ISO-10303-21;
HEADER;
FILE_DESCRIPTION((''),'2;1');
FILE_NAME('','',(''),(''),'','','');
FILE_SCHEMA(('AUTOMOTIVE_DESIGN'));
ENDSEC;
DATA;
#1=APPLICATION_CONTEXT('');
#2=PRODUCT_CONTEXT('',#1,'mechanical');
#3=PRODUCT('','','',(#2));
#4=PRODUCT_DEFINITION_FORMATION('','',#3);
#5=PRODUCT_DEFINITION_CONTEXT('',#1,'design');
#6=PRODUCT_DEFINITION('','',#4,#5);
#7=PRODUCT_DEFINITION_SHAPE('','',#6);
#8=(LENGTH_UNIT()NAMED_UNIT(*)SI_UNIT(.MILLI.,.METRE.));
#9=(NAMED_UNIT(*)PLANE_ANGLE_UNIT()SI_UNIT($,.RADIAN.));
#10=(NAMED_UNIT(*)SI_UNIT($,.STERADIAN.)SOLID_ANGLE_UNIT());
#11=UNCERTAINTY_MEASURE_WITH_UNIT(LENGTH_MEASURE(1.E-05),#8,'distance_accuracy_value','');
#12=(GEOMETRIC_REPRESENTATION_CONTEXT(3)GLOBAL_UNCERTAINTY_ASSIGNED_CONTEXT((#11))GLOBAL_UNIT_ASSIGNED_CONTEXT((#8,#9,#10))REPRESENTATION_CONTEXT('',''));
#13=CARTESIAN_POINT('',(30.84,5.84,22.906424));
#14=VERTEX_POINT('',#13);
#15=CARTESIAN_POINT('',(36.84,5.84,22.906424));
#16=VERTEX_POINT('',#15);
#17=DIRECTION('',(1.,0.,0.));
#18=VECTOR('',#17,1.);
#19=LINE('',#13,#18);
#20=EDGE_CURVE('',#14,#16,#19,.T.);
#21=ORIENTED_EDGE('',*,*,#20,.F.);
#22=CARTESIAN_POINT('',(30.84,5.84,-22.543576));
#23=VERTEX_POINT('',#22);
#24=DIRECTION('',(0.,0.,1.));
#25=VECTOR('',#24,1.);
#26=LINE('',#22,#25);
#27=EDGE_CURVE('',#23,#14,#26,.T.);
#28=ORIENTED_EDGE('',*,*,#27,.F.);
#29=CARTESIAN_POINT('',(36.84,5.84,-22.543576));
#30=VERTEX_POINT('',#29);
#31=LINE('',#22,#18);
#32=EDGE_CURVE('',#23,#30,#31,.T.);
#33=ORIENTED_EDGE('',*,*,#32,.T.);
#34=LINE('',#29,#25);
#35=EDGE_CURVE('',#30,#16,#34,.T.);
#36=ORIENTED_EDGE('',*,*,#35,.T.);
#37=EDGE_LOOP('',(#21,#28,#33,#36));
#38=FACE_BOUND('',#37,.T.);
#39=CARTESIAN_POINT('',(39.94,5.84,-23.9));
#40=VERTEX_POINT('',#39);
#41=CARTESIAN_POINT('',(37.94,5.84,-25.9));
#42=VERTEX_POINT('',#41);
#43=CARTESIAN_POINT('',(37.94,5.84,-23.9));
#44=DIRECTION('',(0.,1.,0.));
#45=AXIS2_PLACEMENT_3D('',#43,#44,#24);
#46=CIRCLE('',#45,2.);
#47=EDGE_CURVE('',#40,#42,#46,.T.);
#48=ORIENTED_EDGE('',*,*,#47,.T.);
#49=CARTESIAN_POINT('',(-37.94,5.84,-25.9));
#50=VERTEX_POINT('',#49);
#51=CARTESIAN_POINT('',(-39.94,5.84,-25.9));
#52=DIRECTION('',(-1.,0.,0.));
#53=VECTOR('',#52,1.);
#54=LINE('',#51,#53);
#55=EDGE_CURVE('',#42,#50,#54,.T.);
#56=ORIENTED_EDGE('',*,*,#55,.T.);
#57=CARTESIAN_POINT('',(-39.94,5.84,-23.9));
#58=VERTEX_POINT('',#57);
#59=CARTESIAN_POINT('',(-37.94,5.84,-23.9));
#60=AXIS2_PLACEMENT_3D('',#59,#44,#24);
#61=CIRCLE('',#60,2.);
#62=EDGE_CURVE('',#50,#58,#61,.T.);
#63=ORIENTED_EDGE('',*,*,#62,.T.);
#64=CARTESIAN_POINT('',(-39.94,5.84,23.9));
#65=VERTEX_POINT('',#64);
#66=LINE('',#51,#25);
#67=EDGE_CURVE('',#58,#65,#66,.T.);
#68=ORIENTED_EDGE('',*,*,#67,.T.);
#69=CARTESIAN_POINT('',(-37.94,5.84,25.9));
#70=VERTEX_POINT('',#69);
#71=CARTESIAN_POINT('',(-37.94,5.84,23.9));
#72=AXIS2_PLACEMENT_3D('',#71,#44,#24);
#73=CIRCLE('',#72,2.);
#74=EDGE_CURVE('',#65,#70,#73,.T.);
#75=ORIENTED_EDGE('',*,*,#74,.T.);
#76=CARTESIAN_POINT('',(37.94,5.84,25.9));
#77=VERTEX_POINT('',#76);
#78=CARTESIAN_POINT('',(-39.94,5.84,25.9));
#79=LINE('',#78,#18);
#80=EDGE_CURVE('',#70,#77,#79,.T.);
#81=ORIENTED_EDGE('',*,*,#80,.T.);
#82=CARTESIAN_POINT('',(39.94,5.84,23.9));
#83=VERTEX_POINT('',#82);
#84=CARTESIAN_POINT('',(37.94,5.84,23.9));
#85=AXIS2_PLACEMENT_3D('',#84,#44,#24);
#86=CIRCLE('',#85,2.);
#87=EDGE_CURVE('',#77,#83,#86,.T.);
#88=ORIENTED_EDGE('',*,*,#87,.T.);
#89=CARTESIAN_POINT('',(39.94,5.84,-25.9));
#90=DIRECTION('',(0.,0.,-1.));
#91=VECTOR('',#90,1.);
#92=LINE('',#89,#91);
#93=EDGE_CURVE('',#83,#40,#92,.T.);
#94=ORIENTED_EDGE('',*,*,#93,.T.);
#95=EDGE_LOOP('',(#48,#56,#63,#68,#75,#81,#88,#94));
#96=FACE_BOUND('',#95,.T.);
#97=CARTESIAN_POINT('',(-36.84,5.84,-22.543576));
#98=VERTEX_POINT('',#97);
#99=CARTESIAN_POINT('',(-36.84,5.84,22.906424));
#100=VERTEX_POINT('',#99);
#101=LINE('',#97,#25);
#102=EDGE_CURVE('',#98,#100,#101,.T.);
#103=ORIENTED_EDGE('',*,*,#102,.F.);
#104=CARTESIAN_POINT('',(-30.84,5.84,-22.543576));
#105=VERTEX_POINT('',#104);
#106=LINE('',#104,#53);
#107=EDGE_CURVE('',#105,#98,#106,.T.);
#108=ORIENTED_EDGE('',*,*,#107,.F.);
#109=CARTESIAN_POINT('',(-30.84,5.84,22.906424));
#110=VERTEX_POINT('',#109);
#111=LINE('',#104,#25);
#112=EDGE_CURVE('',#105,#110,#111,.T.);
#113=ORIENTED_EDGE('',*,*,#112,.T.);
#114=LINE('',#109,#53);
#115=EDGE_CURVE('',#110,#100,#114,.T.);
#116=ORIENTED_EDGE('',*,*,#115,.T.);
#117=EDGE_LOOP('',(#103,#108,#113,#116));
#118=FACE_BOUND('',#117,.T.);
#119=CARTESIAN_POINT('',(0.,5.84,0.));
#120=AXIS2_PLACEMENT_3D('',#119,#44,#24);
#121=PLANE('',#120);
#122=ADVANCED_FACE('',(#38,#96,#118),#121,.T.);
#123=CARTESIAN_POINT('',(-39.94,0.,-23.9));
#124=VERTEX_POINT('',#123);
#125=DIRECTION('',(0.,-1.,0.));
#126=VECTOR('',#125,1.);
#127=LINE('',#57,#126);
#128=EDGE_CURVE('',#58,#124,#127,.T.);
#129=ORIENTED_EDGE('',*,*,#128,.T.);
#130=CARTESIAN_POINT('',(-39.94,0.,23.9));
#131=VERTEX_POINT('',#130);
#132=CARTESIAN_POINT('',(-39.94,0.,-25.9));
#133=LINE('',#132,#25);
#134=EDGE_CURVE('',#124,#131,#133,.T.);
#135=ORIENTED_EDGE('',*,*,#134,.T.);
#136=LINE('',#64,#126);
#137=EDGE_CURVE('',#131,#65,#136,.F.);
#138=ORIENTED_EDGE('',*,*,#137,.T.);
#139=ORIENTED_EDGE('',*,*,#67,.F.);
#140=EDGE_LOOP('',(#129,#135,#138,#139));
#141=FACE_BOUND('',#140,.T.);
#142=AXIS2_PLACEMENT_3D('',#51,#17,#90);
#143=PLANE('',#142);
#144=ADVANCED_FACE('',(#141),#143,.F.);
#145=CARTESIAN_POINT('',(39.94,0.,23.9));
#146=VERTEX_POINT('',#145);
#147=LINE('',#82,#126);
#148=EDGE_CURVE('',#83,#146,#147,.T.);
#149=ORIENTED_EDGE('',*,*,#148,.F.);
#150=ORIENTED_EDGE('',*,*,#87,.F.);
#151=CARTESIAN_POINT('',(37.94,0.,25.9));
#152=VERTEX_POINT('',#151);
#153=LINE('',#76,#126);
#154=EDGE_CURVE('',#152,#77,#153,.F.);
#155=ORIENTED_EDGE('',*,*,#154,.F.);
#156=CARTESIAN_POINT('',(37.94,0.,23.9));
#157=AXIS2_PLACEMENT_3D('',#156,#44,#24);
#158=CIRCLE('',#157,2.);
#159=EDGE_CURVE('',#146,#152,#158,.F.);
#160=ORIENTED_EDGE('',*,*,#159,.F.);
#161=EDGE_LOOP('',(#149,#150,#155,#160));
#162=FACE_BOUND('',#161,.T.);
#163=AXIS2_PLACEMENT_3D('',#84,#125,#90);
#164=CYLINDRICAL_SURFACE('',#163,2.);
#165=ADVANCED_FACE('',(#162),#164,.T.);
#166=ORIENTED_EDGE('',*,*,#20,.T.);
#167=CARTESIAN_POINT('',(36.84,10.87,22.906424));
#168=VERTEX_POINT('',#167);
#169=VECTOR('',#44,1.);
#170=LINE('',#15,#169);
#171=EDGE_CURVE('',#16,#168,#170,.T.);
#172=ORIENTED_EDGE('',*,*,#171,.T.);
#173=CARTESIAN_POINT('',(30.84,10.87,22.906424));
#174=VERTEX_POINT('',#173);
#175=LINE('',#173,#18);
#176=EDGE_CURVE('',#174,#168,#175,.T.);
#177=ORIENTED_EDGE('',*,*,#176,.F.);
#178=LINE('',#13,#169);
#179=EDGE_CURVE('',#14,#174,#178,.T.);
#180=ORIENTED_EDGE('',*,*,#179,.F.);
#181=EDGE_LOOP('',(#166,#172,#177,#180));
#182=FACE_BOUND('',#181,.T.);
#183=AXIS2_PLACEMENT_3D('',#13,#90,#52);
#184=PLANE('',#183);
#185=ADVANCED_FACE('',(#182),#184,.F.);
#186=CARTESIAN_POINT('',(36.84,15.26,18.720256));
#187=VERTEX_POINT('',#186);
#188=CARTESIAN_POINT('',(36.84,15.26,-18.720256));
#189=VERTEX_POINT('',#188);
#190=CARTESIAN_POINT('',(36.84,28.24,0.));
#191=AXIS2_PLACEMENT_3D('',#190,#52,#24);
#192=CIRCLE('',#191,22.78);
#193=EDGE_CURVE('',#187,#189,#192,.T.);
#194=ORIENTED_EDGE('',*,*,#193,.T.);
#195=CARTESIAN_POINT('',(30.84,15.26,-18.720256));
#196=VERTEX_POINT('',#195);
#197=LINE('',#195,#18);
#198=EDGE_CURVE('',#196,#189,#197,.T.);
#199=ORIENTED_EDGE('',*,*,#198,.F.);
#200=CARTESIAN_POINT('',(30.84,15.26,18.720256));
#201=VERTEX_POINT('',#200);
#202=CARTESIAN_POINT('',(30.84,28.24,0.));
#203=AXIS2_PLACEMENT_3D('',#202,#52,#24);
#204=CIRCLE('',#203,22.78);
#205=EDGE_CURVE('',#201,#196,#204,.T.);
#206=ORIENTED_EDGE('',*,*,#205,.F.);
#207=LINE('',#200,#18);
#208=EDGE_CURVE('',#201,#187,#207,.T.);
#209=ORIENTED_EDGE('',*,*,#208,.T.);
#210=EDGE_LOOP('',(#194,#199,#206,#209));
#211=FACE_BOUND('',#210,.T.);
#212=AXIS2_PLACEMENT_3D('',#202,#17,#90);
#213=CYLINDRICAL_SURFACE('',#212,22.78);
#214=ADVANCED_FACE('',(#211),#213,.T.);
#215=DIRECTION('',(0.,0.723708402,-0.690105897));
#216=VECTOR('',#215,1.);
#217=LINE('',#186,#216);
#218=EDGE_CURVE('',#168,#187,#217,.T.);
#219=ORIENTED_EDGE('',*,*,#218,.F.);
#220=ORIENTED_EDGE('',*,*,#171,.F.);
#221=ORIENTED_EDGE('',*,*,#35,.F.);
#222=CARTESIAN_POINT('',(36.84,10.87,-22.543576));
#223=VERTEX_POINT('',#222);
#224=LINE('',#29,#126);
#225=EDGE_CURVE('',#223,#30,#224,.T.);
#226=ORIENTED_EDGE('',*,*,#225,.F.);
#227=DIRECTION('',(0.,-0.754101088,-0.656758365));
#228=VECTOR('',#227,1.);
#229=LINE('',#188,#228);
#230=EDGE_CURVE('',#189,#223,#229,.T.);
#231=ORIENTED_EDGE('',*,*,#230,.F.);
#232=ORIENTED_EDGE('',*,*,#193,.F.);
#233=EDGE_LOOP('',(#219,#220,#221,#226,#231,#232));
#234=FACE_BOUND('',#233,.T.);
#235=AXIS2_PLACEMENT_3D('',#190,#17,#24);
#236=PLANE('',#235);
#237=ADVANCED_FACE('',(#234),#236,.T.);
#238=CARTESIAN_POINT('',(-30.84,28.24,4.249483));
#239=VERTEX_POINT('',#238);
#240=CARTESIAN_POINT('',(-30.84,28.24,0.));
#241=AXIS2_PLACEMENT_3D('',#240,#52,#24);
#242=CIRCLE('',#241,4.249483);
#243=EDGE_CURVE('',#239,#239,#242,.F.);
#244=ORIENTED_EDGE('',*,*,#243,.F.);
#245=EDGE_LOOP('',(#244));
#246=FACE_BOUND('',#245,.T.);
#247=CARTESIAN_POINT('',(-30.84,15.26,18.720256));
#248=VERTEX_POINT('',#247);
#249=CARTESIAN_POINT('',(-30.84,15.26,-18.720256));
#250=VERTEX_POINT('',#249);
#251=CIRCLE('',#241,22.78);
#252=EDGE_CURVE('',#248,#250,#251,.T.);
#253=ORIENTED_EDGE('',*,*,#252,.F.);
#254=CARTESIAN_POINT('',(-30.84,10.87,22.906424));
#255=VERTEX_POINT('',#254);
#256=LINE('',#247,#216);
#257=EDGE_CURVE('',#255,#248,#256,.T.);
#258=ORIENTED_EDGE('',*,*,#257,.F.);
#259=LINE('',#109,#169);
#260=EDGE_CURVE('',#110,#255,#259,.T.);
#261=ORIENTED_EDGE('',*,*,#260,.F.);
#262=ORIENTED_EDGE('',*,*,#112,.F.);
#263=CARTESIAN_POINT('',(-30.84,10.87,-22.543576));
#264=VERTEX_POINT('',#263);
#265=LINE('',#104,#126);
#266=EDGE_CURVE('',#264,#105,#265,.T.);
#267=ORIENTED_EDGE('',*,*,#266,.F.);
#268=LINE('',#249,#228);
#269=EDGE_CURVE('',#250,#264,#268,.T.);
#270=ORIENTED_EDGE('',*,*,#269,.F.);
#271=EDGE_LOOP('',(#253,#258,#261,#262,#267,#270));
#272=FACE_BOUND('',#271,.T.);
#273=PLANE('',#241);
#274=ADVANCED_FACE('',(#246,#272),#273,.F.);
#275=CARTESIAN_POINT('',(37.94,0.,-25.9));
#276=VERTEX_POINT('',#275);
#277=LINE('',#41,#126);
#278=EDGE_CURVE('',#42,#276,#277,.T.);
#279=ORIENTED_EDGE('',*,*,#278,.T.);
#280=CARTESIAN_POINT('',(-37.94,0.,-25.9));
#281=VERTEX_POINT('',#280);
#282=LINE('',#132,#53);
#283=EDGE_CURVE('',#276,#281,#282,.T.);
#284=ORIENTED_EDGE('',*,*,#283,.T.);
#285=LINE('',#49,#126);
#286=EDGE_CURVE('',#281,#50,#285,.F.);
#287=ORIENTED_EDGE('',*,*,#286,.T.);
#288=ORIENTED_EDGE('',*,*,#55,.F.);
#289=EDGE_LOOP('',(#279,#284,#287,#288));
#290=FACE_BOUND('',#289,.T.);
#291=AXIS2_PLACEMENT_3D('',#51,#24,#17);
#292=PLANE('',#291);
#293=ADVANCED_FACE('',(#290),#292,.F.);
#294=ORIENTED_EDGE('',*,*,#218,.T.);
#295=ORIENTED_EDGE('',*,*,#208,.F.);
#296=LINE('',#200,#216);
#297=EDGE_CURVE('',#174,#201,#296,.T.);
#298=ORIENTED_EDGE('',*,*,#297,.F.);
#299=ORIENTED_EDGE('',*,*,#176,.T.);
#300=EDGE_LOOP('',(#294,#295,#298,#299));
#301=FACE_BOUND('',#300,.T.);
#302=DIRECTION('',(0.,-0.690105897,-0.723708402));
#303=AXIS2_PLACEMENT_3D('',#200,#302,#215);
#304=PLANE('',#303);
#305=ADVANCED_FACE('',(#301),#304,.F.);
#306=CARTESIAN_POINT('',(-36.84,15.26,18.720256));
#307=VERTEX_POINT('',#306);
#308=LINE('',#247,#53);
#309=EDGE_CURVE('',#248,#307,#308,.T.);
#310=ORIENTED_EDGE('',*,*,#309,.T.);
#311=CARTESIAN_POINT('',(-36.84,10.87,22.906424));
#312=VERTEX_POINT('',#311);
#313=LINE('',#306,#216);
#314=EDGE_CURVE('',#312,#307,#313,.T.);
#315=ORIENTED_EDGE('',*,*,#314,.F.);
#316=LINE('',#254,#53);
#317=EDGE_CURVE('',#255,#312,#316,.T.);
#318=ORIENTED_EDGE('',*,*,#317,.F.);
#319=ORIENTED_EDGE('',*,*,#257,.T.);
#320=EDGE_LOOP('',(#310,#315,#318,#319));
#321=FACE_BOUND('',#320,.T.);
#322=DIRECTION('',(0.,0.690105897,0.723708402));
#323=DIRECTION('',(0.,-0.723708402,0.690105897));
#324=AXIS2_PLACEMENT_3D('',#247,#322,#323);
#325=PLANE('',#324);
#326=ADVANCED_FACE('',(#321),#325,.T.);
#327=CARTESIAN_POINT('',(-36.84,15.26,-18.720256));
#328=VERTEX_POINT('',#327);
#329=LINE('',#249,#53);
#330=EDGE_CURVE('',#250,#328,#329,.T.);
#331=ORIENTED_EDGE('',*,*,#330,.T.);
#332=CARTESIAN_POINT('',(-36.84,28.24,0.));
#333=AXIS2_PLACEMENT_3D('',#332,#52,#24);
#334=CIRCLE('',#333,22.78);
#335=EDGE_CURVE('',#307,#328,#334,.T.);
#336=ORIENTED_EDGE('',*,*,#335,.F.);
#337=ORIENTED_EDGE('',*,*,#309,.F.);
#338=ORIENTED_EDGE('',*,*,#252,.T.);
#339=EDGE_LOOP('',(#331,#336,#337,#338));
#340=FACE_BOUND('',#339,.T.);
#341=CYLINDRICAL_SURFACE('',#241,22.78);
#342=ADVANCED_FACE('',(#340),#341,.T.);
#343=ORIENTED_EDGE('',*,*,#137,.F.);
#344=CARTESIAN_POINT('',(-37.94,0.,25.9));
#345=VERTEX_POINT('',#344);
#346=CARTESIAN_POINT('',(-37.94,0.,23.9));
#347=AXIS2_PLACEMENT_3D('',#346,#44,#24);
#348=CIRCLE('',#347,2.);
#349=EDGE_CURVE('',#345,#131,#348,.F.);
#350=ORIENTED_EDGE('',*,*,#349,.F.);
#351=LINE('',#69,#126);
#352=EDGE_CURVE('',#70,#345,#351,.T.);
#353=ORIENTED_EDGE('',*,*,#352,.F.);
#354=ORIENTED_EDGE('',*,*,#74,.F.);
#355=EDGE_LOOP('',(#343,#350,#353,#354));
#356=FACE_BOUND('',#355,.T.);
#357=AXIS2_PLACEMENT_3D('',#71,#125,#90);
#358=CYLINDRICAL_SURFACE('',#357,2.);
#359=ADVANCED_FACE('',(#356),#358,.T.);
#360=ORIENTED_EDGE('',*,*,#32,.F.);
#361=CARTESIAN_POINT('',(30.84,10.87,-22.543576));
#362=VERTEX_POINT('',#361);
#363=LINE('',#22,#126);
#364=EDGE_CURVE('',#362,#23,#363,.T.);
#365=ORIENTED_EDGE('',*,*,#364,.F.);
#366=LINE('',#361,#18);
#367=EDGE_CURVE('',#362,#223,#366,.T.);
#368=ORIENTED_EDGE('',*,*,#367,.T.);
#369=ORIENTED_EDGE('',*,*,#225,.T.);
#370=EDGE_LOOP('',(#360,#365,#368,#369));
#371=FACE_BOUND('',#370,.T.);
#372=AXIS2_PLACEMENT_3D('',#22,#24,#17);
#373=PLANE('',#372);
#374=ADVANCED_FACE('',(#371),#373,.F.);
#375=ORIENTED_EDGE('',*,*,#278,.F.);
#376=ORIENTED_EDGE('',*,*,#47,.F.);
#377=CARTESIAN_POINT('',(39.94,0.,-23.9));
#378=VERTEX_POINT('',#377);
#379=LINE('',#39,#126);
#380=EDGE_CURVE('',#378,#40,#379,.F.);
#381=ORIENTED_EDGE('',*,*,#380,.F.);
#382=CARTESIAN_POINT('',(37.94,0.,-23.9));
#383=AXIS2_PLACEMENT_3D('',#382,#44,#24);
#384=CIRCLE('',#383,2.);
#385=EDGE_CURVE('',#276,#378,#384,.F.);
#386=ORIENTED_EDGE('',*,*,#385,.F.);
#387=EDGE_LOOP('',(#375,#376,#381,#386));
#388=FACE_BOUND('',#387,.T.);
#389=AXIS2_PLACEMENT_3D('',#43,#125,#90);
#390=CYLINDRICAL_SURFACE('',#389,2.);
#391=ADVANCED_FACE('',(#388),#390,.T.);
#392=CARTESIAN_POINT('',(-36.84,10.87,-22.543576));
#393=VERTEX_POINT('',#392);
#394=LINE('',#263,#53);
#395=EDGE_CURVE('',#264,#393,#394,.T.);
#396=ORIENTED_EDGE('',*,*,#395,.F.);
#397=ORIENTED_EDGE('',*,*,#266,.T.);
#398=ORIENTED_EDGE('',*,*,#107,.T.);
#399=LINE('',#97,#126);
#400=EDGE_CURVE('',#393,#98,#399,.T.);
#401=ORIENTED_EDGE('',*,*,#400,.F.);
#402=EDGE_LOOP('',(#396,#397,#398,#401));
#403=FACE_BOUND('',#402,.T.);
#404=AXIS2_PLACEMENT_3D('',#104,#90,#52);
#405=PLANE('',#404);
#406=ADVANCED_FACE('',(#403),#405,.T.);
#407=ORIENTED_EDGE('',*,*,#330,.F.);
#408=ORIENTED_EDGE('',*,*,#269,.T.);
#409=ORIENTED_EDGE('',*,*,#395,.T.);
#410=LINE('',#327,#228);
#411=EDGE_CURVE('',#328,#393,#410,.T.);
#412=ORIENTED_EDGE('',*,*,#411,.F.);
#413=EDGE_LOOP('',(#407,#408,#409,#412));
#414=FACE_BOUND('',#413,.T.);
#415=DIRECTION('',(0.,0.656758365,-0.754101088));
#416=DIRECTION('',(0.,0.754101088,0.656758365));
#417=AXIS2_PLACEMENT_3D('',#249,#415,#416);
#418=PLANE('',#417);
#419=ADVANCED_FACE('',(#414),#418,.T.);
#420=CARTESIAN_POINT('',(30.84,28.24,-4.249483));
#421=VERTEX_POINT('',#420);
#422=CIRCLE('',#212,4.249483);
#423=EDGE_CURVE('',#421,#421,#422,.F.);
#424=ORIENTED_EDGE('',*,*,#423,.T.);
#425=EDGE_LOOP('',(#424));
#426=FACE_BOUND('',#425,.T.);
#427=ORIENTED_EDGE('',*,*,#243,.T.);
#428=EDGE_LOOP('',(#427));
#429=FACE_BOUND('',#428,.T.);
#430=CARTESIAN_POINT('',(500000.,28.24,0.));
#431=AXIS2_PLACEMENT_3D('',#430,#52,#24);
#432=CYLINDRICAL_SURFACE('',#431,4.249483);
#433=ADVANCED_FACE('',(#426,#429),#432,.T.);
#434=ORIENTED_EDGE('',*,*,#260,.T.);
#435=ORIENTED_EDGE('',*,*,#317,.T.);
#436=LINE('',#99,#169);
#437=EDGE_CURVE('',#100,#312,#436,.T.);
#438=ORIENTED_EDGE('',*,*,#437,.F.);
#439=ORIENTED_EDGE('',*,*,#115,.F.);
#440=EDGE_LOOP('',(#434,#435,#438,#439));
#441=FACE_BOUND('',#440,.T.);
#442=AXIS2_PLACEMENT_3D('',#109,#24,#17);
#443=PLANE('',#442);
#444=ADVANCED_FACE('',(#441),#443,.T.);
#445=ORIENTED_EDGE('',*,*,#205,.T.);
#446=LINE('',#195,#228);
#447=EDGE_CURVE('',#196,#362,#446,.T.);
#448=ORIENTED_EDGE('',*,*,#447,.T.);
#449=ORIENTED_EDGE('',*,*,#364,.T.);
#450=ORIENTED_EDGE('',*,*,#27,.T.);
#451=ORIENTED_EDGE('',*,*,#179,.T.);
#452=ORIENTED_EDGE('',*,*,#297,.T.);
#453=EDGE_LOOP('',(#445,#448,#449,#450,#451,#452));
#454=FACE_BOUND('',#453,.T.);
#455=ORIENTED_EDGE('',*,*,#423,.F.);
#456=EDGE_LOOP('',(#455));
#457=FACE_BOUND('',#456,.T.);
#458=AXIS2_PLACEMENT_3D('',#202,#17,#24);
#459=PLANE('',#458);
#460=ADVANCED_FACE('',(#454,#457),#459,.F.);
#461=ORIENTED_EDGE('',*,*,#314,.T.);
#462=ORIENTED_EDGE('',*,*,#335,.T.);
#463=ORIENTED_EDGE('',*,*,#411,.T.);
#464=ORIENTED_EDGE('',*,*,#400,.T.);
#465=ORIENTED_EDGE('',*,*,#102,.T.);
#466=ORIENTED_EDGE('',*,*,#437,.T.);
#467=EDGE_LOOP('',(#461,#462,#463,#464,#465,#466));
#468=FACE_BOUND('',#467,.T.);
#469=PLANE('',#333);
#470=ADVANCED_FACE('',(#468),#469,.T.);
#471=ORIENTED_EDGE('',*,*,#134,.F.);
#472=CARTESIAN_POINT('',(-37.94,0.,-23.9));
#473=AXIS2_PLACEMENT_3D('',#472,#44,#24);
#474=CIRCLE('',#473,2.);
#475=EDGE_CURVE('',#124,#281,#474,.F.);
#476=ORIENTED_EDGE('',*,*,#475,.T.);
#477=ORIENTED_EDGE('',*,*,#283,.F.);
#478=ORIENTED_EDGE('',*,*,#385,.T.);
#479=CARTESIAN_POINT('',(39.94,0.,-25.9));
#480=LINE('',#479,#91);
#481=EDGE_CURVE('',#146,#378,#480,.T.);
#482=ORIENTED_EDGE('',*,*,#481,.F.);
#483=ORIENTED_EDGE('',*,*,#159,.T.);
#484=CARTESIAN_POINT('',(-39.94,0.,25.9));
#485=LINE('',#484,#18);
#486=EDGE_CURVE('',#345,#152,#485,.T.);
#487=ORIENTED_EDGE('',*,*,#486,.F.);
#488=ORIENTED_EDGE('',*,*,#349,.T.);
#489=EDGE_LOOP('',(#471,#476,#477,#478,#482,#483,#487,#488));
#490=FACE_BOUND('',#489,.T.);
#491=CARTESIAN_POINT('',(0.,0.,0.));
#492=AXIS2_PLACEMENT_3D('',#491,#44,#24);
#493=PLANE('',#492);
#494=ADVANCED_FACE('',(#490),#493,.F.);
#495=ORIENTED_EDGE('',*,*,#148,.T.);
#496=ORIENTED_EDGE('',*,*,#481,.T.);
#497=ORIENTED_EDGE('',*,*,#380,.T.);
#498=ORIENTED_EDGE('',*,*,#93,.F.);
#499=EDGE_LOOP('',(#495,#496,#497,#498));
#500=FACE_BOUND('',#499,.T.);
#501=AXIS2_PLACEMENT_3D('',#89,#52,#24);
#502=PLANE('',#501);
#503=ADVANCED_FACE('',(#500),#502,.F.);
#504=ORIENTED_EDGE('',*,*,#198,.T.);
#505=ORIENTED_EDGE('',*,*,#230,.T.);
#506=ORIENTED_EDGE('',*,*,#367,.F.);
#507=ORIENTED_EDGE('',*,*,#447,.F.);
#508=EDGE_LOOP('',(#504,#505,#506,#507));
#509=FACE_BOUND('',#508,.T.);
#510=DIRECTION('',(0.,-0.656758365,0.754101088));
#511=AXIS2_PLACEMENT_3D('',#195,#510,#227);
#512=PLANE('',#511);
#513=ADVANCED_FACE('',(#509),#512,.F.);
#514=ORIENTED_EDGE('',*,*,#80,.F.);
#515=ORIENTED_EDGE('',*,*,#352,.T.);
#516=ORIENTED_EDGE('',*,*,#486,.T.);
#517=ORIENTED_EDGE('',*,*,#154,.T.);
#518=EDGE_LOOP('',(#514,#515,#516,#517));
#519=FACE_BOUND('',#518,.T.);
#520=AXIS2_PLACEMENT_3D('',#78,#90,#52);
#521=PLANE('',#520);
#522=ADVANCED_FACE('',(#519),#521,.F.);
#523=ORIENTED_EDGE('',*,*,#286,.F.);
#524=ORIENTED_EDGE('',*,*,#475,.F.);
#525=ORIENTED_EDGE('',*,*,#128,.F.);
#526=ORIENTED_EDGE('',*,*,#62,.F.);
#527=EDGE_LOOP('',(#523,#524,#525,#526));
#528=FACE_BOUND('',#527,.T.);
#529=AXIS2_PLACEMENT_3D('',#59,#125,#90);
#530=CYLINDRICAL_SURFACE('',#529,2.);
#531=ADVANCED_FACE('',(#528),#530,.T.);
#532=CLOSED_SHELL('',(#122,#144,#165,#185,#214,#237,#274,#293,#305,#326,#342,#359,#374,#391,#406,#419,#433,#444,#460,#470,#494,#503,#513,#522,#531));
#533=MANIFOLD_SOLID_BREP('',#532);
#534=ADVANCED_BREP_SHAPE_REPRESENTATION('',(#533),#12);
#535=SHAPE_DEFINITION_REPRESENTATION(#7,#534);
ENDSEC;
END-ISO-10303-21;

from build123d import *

# Parameters (mm, degrees)
SKETCH2_W           = 79.88
SKETCH2_H           = 51.8
BOSS_EXTRUDE1_DEPTH = 5.84
FILLET2_R           = 2
FILLET3_R           = 2
FILLET4_R           = 2
BOSS_EXTRUDE3_START = -3.1
BOSS_EXTRUDE3_DEPTH = 6
FILLET6_R           = 2
BOSS_EXTRUDE5_REACH = 93.015
SKETCH10_R          = 4.249482904


with BuildPart() as part:
    # Sketch2 → Boss-Extrude1 (new body)
    with BuildSketch(Plane(origin=(0, 0, 0), x_dir=(1, 0, 0), z_dir=(0, 1, 0))):
        Rectangle(SKETCH2_W, SKETCH2_H)
    extrude(amount=BOSS_EXTRUDE1_DEPTH)

    # Fillet2
    fillet2_edges = [part.edges().sort_by_distance(p)[0] for p in [
        (-39.94, 2.92, -25.9),
    ]]
    fillet(fillet2_edges, radius=FILLET2_R)

    # Fillet3
    fillet3_edges = [part.edges().sort_by_distance(p)[0] for p in [
        (-39.94, 2.92, 25.9),
    ]]
    fillet(fillet3_edges, radius=FILLET3_R)

    # Fillet4
    fillet4_edges = [part.edges().sort_by_distance(p)[0] for p in [
        (39.94, 2.92, -25.9),
    ]]
    fillet(fillet4_edges, radius=FILLET4_R)

    # Sketch3 → Boss-Extrude3 (add)
    with BuildSketch(Plane.ZY.offset(39.94).offset(BOSS_EXTRUDE3_START)):
        with BuildLine():
            Line((-22.543575681, 5.84), (22.906424319, 5.84))
            Line((22.906424319, 5.84), (22.906424319, 10.87))
            Line((22.906424319, 10.87), (18.720256409, 15.26))
            ThreePointArc((18.720256409, 15.26), (0, 51.02), (-18.720256409, 15.26))
            Line((-18.720256409, 15.26), (-22.543575681, 10.87))
            Line((-22.543575681, 10.87), (-22.543575681, 5.84))
        make_face()
    boss_extrude3 = extrude(amount=-BOSS_EXTRUDE3_DEPTH)

    # Fillet6
    fillet6_edges = [part.edges().sort_by_distance(p)[0] for p in [
        (39.94, 2.92, 25.9),
    ]]
    fillet(fillet6_edges, radius=FILLET6_R)

    # Mirror1: Boss-Extrude3 across plane
    add(boss_extrude3.mirror(Plane(origin=(0, 0, 0), x_dir=(0, 0, 1), z_dir=(1, 0, 0))))

    # Sketch10 → Boss-Extrude5 (add, up to next)
    with BuildSketch(Plane(origin=(-30.84, 0, 0), x_dir=(0, 0, -1), z_dir=(1, 0, 0)), mode=Mode.PRIVATE) as boss_extrude5_sk1:
        with Locations(Location((0, 28.24, 0), (0, 0, 180))):
            Circle(SKETCH10_R)
    boss_extrude5_tool1 = extrude(boss_extrude5_sk1.sketch, amount=BOSS_EXTRUDE5_REACH, mode=Mode.PRIVATE) - part.part
    add(boss_extrude5_tool1.solids().sort_by_distance((-30.84, 28.24, 0))[0])


solid = part.part
